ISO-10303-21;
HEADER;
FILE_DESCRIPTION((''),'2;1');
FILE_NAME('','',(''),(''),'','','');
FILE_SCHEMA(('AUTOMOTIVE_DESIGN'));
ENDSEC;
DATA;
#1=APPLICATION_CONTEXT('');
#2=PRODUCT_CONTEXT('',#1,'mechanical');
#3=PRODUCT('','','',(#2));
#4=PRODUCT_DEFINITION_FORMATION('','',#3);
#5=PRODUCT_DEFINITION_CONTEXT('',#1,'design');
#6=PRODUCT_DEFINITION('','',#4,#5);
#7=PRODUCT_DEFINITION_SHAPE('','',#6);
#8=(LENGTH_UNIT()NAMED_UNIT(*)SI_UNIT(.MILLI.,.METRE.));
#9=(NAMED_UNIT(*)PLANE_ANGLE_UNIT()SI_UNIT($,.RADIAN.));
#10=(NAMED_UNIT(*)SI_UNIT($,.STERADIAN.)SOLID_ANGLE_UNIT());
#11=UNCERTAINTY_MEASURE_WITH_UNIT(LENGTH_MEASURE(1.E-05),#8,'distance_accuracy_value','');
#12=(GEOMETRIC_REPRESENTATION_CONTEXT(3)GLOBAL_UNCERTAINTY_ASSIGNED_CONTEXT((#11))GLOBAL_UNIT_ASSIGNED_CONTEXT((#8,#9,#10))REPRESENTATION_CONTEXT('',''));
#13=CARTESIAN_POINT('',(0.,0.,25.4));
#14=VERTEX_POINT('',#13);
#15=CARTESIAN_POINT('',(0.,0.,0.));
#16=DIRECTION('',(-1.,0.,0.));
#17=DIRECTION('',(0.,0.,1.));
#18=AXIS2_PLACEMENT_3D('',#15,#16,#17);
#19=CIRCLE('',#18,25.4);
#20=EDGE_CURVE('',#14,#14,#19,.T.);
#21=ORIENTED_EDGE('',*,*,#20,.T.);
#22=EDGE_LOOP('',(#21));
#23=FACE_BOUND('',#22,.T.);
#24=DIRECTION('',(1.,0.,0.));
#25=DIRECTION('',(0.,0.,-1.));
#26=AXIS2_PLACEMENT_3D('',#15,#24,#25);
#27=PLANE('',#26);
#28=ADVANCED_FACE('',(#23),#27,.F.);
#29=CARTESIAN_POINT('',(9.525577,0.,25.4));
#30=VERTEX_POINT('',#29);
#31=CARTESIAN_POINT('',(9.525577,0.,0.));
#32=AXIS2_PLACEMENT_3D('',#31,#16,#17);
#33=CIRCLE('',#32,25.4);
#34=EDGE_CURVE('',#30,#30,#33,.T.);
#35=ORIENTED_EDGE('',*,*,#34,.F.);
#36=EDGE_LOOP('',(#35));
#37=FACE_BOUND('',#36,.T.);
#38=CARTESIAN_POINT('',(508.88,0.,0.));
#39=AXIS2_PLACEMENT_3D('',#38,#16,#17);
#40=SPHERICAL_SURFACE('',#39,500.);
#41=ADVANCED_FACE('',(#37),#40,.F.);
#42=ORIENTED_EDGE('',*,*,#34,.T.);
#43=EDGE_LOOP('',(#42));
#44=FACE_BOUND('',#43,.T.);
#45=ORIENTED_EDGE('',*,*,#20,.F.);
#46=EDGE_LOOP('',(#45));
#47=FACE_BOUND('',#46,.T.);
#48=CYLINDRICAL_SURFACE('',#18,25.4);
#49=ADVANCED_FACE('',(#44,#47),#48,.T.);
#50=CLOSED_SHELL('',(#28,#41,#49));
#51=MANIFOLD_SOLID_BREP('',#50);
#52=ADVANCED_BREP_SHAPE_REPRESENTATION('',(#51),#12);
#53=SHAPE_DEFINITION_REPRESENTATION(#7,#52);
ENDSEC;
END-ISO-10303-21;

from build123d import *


with BuildPart() as part:
    # 草图1 → 旋转1 (revolve)
    with BuildSketch(Plane(origin=(0, 0, 0), x_dir=(1, 0, 0), z_dir=(0, 1, 0)), mode=Mode.PRIVATE) as revolve_1_sk:
        with BuildLine():
            Line((0, 0), (8.88, 0))
            ThreePointArc((8.88, 0), (9.041420249, 12.704101398), (9.525576769, 25.4))
            Line((9.525576769, 25.4), (0, 25.4))
            Line((0, 25.4), (0, 0))
        make_face()
    revolve(revolve_1_sk.sketch.rotate(Axis((0, 0, 0), (1, 0, 0)), 180), axis=Axis((0, 0, 0), (1, 0, 0)))  # turned: the seam where the file's is


solid = part.part
